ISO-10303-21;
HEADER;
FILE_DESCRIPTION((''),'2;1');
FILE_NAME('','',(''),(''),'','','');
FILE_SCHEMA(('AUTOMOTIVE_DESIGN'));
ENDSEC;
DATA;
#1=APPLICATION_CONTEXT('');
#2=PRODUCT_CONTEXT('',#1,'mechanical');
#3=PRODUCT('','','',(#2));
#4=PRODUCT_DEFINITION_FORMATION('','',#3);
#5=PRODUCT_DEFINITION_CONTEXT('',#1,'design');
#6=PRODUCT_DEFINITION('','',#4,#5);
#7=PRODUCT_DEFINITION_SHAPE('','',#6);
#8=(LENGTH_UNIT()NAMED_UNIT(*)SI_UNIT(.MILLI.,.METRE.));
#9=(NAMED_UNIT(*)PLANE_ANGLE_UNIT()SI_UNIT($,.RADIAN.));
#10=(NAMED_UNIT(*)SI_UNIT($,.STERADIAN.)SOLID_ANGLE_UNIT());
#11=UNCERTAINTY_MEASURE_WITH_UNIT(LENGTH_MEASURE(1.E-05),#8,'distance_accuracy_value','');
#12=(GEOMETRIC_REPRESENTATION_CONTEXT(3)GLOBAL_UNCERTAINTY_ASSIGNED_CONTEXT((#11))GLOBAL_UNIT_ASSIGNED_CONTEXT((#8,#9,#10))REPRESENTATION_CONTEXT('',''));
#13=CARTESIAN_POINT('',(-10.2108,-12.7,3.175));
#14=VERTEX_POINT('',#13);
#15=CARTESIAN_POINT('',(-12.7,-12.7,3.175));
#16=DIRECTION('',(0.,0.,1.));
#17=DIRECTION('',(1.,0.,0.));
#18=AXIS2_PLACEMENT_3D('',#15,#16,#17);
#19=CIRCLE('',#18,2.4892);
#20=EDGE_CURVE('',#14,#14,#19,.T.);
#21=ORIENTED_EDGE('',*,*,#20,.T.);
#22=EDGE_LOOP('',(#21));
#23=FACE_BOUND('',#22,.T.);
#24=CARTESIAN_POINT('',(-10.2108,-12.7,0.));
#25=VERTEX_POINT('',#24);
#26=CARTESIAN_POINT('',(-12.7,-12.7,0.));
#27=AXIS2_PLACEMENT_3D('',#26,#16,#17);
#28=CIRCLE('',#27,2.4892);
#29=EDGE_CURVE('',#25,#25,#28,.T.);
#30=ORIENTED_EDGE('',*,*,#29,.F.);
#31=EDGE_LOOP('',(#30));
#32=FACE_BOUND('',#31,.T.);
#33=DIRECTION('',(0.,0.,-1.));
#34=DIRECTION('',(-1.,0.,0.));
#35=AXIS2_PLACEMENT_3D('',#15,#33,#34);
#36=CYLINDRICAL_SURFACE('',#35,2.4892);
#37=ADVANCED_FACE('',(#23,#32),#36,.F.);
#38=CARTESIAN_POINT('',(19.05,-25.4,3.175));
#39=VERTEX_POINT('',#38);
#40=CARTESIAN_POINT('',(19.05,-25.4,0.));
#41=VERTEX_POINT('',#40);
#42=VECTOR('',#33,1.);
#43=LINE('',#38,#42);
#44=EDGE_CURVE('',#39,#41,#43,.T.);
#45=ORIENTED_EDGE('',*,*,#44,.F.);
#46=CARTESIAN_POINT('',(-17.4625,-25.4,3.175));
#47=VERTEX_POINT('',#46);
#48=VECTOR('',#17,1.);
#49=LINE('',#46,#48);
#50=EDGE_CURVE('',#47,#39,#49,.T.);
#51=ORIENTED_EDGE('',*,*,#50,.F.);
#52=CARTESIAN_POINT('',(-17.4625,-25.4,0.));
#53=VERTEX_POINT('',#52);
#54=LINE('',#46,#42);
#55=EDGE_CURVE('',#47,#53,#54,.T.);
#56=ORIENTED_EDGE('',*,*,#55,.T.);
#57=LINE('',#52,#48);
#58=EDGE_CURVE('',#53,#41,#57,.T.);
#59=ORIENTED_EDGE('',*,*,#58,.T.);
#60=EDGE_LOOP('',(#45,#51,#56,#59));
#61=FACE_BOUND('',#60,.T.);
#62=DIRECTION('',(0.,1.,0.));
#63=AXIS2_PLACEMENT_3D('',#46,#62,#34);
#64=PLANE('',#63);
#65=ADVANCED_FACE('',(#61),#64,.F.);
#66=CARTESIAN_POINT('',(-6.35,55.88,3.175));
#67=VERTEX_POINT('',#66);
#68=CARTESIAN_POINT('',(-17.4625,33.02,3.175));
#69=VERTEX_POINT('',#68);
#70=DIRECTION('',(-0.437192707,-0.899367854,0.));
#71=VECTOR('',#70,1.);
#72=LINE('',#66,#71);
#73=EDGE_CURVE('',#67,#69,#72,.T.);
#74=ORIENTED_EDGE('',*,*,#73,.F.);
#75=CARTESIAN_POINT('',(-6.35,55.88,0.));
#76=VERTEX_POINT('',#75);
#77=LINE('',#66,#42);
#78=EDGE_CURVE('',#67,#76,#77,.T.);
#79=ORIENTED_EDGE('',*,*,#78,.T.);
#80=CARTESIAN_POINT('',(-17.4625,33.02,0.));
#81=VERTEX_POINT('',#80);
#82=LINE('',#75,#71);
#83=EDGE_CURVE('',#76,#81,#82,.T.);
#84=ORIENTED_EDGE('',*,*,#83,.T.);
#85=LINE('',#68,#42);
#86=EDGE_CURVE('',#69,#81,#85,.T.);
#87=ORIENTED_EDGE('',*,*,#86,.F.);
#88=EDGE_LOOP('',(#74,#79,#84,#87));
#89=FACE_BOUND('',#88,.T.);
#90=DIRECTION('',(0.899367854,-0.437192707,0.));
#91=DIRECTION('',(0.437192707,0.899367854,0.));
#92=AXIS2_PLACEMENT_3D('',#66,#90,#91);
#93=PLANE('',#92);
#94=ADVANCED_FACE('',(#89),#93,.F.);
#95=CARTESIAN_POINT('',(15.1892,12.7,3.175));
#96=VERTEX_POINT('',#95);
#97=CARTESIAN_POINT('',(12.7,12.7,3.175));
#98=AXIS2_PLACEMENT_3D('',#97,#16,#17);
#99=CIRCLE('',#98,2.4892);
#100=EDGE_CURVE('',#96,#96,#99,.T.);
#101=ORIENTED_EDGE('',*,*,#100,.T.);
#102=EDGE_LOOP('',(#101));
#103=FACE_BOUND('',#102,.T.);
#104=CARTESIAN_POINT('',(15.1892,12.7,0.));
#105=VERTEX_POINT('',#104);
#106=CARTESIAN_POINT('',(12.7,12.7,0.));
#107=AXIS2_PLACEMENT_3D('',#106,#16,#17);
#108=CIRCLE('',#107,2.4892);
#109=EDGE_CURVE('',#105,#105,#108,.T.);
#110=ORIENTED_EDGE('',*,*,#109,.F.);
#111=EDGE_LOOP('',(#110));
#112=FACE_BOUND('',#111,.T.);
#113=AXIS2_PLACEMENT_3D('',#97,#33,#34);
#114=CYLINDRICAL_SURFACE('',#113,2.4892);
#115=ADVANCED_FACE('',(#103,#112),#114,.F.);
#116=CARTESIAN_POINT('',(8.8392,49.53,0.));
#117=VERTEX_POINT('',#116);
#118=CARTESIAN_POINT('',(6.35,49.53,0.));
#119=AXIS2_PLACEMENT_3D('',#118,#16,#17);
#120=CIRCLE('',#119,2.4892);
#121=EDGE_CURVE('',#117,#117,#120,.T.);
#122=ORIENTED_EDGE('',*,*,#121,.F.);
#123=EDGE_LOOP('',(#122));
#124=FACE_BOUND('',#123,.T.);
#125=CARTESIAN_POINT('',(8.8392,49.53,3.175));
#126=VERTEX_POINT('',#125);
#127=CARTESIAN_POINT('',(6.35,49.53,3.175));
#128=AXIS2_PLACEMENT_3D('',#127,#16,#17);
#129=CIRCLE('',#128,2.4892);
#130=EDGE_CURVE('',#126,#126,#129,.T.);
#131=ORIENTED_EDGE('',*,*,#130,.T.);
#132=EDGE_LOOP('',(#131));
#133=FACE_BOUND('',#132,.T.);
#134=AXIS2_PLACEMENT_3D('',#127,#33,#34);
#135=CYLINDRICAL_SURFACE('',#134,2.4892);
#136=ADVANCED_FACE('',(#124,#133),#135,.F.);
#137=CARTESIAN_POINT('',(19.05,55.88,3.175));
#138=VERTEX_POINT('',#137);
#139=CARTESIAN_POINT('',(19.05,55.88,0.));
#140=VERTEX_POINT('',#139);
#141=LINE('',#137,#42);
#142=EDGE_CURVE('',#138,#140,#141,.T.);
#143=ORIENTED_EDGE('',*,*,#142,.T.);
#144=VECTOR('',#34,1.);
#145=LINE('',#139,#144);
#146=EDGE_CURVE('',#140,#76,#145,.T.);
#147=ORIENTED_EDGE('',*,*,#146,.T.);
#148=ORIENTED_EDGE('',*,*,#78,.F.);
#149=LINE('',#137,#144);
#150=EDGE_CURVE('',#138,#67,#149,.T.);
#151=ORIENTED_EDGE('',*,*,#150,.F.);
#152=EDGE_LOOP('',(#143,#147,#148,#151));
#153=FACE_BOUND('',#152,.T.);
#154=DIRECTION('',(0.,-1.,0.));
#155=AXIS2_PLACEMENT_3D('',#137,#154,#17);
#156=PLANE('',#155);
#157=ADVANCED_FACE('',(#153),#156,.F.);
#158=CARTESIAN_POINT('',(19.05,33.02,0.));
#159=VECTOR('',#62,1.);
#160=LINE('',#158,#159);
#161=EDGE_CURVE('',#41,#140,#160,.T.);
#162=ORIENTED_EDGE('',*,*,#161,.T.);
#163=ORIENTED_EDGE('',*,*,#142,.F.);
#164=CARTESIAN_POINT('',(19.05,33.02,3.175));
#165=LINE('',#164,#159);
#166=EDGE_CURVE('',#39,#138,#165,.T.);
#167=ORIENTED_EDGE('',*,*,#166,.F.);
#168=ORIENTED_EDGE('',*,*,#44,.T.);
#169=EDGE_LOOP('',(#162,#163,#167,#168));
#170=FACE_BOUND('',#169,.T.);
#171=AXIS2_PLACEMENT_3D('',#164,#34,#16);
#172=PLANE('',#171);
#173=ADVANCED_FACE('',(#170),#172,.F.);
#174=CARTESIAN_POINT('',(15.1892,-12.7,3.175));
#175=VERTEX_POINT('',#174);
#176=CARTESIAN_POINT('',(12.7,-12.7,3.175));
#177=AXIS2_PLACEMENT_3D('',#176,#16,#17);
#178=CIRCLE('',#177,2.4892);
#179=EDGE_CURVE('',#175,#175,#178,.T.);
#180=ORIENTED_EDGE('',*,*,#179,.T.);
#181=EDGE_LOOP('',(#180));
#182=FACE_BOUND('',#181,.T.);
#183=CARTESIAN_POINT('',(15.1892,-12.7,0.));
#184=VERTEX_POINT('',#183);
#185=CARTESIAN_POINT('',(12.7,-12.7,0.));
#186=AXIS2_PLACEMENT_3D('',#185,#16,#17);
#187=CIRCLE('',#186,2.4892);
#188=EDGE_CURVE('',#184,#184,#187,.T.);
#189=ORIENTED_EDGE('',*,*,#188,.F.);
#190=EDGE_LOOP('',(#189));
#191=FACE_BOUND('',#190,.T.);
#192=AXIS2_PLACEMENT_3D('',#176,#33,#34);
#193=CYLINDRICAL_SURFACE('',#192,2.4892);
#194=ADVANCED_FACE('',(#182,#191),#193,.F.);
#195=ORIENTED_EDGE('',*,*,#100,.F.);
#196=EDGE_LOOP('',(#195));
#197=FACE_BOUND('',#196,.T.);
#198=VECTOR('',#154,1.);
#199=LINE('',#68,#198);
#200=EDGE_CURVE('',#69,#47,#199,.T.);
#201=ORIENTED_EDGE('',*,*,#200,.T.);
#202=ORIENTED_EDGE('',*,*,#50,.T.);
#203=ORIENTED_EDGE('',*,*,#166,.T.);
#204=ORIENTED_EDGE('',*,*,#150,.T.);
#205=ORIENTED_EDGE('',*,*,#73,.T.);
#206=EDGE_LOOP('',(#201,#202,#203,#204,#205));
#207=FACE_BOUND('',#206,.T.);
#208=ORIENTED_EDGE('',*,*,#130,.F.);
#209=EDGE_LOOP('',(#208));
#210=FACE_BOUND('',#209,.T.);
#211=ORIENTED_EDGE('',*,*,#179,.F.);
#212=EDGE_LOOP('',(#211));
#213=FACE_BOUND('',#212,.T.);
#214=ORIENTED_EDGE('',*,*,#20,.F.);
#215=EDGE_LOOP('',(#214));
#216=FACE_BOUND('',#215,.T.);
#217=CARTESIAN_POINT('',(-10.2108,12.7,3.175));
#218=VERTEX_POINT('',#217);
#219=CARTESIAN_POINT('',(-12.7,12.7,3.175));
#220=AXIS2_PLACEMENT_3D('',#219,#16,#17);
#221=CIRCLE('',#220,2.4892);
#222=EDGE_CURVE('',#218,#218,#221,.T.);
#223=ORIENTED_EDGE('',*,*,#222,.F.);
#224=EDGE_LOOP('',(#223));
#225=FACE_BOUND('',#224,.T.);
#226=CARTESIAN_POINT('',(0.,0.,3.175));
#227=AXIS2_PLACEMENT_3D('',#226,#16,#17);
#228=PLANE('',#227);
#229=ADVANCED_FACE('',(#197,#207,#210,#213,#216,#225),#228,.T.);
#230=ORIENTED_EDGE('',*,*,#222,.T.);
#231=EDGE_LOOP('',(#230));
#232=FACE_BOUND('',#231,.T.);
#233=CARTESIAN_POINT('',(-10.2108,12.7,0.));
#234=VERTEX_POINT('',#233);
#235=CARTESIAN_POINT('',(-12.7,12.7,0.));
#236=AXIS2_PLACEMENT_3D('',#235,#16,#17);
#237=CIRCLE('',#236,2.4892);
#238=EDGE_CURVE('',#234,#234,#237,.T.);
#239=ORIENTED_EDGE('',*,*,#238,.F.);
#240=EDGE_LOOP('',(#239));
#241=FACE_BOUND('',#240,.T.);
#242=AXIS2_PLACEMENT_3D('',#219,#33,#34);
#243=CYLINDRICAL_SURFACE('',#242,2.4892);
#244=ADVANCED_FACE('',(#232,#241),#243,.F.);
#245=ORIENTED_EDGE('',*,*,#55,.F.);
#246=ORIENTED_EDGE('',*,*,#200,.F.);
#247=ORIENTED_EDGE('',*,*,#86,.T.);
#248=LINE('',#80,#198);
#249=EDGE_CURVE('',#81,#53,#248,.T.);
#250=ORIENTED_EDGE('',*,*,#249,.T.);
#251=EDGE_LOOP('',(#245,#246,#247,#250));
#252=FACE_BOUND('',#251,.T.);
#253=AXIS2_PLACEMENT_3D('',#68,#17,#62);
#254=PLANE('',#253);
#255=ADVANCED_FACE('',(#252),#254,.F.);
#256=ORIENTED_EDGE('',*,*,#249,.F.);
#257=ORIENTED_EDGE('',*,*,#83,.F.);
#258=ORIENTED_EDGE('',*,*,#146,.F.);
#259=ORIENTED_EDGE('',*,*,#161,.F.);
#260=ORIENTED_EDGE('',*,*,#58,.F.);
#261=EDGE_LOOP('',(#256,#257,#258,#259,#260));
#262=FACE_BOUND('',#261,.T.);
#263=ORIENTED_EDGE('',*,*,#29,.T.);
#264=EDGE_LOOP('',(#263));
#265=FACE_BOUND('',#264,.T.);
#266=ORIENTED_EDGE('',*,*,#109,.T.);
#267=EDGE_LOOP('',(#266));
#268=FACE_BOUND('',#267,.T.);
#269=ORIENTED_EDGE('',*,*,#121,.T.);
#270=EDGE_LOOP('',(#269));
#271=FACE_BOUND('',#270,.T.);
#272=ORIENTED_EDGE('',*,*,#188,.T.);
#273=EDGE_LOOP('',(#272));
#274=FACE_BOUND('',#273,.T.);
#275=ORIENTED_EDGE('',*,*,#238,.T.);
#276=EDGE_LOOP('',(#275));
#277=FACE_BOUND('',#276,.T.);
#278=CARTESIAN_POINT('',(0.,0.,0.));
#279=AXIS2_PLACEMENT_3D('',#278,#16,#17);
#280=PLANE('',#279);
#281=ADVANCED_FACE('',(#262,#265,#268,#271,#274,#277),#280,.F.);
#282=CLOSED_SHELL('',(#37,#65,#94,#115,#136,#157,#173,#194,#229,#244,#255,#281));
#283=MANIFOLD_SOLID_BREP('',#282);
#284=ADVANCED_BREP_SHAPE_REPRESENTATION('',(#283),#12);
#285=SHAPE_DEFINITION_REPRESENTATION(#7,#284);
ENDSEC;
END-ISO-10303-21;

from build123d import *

# Parameters (mm, degrees)
SKETCH1_R           = 2.4892
BOSS_EXTRUDE1_DEPTH = 3.175


with BuildPart() as part:
    # Sketch1 → Boss-Extrude1 (new body)
    with BuildSketch(Plane.XY):
        Polygon((19.05, 33.02), (19.05, 55.88), (-6.35, 55.88), (-17.4625, 33.02), (-17.4625, -25.4), (19.05, -25.4), align=None)
        with Locations((-12.7, 12.7)):
            Circle(SKETCH1_R, mode=Mode.SUBTRACT)
        with Locations((-12.7, -12.7)):
            Circle(SKETCH1_R, mode=Mode.SUBTRACT)
        with Locations((12.7, 12.7)):
            Circle(SKETCH1_R, mode=Mode.SUBTRACT)
        with Locations((12.7, -12.7)):
            Circle(SKETCH1_R, mode=Mode.SUBTRACT)
        with Locations((6.35, 49.53)):
            Circle(SKETCH1_R, mode=Mode.SUBTRACT)
    extrude(amount=BOSS_EXTRUDE1_DEPTH)


solid = part.part
